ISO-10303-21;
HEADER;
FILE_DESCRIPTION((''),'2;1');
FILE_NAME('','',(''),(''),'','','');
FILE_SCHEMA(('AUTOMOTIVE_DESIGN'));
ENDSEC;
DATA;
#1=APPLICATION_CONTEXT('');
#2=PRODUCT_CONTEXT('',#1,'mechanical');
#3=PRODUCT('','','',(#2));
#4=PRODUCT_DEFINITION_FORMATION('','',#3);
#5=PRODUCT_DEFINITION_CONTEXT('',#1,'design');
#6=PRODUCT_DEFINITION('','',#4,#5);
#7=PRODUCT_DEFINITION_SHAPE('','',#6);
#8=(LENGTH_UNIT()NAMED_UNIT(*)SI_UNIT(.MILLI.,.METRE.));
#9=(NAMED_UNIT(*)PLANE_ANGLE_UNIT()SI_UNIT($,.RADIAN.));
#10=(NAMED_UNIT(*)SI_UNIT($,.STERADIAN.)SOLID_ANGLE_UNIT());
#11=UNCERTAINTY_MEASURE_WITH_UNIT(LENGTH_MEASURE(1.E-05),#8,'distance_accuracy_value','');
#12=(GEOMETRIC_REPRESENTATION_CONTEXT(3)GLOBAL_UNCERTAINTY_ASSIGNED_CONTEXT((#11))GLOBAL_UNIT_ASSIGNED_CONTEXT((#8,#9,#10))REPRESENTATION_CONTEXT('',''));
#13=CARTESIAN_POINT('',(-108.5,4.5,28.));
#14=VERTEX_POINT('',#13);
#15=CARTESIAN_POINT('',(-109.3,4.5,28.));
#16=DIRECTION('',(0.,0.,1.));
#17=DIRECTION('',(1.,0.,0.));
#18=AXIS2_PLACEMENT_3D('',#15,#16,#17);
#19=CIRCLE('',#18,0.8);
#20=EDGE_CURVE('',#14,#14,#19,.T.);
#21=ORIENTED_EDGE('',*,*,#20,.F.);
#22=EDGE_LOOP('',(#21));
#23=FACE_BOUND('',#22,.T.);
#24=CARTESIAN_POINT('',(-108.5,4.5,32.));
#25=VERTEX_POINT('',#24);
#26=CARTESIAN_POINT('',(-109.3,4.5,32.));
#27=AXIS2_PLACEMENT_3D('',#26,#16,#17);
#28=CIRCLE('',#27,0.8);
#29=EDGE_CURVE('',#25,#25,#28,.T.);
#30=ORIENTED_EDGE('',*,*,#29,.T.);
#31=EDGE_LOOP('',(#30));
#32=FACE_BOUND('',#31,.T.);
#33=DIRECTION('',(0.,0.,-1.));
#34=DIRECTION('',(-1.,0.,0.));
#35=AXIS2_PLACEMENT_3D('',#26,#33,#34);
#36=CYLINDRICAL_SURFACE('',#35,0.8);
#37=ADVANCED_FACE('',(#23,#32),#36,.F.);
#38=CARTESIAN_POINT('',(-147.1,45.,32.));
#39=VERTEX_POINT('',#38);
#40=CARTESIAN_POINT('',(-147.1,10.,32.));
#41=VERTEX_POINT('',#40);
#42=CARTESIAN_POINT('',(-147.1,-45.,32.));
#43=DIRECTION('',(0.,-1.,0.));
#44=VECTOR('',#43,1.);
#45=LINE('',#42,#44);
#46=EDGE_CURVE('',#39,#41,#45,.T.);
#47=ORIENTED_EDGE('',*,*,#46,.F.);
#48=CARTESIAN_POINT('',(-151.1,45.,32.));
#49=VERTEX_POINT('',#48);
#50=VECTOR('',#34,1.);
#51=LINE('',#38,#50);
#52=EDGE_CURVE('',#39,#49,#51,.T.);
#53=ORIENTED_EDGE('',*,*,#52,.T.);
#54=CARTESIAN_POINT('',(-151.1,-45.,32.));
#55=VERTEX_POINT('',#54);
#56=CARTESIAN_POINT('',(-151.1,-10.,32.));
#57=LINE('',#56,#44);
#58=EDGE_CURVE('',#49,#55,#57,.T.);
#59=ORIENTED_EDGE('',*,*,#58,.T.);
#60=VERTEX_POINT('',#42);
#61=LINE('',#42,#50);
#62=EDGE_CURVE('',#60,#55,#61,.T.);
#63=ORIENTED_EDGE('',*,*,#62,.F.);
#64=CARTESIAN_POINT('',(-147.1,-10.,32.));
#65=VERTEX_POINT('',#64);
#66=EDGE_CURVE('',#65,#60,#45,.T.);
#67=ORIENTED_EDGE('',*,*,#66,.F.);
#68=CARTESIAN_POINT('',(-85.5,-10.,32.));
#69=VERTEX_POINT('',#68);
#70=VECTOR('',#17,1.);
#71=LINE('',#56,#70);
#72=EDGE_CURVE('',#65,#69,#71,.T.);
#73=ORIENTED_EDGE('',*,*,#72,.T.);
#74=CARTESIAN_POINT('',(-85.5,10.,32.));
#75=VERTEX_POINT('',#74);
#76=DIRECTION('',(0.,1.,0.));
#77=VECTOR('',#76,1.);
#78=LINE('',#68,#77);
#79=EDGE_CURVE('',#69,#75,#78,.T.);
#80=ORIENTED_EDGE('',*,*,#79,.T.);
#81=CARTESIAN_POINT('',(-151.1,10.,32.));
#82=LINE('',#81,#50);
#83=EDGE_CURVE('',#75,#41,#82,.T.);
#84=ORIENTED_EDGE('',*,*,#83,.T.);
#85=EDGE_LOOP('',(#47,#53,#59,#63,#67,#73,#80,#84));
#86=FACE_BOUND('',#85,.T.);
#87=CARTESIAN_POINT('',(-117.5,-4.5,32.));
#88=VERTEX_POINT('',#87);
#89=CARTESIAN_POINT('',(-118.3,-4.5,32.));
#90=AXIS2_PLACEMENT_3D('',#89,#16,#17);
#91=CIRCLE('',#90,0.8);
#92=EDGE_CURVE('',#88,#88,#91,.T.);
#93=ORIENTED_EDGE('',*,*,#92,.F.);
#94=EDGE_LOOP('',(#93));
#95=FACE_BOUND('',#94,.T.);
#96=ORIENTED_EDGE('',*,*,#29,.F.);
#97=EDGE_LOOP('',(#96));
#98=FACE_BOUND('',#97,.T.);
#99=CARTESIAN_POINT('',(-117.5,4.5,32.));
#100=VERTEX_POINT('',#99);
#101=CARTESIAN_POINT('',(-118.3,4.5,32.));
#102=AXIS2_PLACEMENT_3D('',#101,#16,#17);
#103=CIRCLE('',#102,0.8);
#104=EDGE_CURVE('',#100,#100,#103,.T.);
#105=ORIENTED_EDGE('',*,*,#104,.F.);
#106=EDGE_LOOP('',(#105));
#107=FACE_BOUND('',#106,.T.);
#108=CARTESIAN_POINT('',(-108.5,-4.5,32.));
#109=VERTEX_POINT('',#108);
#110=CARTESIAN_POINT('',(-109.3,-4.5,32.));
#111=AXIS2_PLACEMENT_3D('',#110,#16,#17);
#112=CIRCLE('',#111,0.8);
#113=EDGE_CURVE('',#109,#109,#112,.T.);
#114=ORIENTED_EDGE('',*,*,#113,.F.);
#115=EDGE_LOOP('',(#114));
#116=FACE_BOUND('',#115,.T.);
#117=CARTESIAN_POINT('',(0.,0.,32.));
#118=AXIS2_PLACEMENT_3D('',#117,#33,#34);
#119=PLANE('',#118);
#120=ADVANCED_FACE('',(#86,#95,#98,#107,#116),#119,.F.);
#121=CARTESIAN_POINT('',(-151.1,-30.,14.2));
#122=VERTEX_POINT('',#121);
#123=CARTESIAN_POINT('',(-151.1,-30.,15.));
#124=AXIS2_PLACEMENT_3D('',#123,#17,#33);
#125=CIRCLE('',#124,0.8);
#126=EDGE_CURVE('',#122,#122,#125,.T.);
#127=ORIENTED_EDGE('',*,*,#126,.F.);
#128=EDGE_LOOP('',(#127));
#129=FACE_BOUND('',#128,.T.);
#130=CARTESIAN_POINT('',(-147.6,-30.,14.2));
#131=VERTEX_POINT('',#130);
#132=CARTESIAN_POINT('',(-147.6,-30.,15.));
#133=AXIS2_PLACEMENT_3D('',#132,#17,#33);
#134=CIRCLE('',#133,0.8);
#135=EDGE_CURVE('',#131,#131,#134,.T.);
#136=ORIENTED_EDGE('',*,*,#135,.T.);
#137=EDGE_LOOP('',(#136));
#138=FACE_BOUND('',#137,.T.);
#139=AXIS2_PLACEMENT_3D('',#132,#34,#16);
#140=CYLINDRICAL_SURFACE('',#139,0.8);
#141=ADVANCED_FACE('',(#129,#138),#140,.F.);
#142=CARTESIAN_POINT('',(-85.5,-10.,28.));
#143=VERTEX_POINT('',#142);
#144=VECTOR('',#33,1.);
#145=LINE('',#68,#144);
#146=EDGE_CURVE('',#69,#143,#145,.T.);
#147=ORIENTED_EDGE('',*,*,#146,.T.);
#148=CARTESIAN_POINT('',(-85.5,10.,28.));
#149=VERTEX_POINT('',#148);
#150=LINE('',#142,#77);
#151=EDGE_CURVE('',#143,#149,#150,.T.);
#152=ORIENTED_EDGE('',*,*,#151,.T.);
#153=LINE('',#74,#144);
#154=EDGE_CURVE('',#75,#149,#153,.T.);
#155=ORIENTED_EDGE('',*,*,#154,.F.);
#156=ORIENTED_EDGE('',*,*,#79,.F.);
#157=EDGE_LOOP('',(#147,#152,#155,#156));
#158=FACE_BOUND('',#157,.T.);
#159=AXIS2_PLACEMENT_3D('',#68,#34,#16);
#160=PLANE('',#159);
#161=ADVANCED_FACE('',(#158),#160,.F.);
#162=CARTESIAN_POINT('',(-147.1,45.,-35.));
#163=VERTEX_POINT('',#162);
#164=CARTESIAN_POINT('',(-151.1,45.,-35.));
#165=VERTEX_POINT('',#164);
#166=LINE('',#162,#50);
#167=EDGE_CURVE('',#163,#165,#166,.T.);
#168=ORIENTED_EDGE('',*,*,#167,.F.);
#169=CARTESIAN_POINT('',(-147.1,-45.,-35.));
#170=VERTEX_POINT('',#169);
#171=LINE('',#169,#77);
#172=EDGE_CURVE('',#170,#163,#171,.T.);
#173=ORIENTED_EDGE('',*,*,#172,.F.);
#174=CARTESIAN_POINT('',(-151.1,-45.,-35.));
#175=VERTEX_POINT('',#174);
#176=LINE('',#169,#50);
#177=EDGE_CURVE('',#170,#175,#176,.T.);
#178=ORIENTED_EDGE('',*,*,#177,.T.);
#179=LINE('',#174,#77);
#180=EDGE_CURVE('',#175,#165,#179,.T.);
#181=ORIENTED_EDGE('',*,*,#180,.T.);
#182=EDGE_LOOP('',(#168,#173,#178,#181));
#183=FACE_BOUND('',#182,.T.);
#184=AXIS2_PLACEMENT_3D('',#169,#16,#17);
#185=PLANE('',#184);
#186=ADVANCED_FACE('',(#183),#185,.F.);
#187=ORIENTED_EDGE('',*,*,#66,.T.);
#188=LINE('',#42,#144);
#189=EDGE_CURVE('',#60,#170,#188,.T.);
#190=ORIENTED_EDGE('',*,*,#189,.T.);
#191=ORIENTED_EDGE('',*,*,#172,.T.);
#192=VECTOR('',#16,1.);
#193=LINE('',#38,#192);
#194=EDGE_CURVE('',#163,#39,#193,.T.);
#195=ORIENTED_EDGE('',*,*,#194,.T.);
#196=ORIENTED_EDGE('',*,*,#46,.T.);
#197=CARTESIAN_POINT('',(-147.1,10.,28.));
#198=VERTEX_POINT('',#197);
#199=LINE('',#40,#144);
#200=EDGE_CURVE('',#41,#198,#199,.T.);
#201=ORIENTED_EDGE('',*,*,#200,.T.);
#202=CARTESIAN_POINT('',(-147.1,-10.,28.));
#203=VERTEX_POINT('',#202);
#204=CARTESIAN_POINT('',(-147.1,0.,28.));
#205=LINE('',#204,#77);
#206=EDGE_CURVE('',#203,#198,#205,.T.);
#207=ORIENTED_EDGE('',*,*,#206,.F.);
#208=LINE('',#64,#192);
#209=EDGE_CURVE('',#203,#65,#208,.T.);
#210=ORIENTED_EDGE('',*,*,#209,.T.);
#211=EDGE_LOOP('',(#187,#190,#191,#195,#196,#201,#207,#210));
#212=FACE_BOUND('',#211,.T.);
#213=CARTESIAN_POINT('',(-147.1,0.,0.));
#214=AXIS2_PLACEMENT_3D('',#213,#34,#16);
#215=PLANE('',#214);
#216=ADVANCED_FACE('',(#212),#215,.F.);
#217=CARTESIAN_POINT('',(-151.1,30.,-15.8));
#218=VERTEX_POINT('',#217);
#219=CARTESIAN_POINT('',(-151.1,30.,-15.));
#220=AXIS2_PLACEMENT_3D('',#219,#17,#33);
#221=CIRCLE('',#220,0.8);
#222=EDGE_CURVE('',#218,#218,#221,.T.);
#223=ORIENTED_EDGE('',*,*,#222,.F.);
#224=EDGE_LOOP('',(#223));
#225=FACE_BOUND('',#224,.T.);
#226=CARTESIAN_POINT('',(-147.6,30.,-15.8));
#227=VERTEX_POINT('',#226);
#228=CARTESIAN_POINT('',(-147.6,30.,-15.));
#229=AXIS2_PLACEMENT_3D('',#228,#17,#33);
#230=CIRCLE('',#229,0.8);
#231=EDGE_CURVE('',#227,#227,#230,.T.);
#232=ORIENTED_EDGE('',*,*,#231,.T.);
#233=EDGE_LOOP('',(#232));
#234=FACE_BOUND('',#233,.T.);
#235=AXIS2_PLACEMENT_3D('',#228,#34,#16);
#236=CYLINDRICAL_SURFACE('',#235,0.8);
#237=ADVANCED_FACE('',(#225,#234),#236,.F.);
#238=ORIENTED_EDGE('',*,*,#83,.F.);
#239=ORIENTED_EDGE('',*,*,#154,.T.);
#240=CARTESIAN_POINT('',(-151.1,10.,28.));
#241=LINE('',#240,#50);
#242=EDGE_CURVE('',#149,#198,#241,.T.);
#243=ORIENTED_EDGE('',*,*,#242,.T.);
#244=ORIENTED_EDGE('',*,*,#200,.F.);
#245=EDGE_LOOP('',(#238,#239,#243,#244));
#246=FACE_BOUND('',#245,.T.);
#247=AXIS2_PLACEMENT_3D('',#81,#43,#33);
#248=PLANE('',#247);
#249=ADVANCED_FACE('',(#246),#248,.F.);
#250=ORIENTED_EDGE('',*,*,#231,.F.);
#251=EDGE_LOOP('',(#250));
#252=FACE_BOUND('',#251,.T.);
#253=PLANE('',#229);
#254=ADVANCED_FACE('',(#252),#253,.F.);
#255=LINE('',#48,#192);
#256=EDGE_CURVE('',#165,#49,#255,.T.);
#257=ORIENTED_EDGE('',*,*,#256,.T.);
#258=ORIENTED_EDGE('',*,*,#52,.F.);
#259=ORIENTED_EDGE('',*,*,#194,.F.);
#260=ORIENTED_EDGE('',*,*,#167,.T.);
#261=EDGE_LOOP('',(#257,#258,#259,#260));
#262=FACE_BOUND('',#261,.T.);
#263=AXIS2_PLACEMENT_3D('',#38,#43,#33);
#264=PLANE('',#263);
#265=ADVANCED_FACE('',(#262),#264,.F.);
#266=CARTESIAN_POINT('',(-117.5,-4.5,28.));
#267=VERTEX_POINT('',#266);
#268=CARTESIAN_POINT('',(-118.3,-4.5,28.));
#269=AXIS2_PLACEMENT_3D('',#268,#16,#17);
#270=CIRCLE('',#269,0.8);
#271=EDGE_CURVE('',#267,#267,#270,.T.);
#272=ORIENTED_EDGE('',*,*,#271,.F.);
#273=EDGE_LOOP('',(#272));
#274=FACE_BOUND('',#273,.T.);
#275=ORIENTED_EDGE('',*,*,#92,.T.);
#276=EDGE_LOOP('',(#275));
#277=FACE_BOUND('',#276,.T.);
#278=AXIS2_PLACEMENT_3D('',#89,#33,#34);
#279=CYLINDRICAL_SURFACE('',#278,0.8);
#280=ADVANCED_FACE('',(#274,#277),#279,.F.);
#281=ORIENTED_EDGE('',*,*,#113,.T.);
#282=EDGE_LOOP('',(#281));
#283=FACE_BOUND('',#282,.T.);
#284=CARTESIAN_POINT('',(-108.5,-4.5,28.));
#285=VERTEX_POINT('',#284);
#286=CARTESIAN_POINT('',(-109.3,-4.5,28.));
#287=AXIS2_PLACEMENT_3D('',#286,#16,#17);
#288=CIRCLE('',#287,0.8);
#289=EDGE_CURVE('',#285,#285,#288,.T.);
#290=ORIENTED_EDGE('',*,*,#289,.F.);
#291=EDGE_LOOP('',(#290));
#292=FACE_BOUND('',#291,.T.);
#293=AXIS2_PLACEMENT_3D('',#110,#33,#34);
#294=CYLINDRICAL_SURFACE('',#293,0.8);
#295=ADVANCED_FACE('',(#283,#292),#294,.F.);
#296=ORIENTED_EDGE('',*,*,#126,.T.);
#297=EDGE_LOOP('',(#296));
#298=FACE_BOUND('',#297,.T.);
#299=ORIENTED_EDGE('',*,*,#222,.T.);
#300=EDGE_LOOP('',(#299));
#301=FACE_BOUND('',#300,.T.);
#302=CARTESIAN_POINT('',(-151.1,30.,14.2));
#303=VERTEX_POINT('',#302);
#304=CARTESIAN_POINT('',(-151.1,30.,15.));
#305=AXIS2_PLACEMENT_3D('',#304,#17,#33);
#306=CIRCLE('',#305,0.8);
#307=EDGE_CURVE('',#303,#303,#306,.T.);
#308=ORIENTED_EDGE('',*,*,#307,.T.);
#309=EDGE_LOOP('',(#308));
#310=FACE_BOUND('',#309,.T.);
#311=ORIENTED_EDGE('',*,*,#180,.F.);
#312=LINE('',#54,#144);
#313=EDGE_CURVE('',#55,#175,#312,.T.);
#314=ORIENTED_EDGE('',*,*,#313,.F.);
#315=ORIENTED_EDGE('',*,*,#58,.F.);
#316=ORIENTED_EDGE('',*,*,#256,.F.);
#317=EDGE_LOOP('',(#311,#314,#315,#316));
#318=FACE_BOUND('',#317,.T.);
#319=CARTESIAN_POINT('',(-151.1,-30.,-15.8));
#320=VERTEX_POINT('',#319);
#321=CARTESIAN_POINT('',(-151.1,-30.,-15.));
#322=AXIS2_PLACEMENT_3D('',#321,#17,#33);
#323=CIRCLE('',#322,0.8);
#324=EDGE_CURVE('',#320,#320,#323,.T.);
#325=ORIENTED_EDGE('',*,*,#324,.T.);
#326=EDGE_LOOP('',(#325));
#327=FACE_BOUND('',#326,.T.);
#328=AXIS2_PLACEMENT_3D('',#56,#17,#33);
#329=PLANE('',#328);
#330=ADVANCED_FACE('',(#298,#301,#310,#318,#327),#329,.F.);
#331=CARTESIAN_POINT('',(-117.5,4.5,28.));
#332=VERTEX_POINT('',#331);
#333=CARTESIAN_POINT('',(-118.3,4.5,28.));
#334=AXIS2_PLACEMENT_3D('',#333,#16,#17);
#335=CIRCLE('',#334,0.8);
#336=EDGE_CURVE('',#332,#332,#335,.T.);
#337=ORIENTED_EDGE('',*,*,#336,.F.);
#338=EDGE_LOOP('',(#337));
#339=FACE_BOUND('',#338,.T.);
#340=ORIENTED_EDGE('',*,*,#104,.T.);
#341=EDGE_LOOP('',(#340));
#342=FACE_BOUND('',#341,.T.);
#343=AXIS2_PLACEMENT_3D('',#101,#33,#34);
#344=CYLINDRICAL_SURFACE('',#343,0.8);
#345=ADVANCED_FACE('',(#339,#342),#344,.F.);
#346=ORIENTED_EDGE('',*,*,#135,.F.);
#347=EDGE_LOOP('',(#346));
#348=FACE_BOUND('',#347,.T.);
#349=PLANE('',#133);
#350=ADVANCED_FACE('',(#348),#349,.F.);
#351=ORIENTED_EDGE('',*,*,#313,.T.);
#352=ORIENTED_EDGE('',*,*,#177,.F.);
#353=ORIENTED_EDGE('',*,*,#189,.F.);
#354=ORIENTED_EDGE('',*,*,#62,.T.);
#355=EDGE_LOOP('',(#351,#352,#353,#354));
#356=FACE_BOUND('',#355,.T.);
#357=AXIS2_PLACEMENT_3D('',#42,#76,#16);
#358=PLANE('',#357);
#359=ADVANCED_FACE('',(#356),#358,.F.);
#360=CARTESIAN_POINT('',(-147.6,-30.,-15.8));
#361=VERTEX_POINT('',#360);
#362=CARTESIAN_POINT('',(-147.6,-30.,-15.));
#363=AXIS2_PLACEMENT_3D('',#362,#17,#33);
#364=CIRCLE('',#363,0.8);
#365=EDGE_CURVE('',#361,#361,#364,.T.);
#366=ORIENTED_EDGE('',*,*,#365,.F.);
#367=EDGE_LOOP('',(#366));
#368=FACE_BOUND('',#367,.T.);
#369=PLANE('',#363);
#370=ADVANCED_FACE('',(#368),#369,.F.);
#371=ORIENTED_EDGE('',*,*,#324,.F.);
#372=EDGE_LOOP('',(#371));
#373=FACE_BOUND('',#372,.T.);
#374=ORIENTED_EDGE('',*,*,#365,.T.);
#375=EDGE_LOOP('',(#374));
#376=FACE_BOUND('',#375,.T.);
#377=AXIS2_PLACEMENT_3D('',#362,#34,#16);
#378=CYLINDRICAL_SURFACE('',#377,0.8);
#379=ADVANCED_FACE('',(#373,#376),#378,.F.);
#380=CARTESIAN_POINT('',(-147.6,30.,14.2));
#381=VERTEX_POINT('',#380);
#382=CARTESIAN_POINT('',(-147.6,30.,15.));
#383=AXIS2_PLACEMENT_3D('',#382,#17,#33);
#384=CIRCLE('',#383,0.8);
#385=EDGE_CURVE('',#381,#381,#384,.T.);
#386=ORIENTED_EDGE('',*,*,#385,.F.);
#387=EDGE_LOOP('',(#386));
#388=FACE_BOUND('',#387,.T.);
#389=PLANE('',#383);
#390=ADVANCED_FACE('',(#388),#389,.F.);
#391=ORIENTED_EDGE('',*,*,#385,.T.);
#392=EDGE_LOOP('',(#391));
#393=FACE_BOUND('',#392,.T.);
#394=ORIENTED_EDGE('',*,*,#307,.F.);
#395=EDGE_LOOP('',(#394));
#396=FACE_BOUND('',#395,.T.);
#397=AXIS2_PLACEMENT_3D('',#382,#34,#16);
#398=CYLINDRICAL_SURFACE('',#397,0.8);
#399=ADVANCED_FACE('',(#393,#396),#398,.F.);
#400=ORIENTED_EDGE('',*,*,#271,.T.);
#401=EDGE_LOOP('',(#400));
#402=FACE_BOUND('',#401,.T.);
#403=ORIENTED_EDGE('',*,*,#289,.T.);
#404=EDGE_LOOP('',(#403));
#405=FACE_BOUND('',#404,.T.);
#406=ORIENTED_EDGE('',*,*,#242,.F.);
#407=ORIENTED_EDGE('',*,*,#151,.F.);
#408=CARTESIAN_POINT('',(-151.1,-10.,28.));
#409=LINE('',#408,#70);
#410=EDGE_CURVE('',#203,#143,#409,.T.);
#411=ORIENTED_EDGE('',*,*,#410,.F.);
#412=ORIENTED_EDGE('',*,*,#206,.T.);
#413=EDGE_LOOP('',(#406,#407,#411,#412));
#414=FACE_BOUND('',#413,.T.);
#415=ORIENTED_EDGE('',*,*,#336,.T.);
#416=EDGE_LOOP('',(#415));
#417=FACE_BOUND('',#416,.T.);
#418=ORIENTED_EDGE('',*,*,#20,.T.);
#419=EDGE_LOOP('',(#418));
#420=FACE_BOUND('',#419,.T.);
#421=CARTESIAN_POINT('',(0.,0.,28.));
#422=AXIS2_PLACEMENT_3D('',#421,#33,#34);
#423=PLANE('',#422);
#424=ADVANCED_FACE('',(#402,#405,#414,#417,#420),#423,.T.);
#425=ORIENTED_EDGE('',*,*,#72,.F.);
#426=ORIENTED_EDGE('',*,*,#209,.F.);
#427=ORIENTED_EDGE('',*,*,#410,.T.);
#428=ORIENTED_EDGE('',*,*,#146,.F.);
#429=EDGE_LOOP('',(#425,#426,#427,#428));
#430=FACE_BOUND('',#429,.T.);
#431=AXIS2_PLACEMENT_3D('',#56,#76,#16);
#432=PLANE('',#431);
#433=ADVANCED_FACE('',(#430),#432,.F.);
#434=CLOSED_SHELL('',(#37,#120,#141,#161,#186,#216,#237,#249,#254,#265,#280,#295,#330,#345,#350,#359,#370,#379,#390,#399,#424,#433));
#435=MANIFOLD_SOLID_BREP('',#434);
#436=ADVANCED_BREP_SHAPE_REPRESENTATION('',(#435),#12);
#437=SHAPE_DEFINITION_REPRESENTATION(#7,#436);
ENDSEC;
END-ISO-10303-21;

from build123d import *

# Parameters (mm, degrees)
SKETCH1_W           = 65.6
SKETCH1_H           = 20
BOSS_EXTRUDE1_DEPTH = 4
SKETCH2_W           = 67
SKETCH2_H           = 90
BOSS_EXTRUDE2_DEPTH = 4
SKETCH3_R           = 0.8
CUT_EXTRUDE2_DEPTH  = 4
SKETCH4_R           = 0.8
CUT_EXTRUDE4_DEPTH  = 3.5


with BuildPart() as part:
    # Sketch1 → Boss-Extrude1 (new body)
    with BuildSketch(Plane.XY.offset(28)):
        with Locations((-118.3, 0)):
            Rectangle(SKETCH1_W, SKETCH1_H)
    extrude(amount=BOSS_EXTRUDE1_DEPTH)

    # Sketch2 → Boss-Extrude2 (add)
    with BuildSketch(Plane(origin=(-151.1, 0, 0), x_dir=(0, 0, -1), z_dir=(1, 0, 0))):
        with Locations((1.5, 0)):
            Rectangle(SKETCH2_W, SKETCH2_H)
    extrude(amount=BOSS_EXTRUDE2_DEPTH)

    # Sketch3 → Cut-Extrude2 (cut)
    with BuildSketch(Plane.XY.offset(28)):
        with Locations((-109.3, 4.5)):
            Circle(SKETCH3_R)
        with Locations((-109.3, -4.5)):
            Circle(SKETCH3_R)
        with Locations((-118.3, 4.5)):
            Circle(SKETCH3_R)
        with Locations((-118.3, -4.5)):
            Circle(SKETCH3_R)
    extrude(amount=CUT_EXTRUDE2_DEPTH, mode=Mode.SUBTRACT)

    # Sketch4 → Cut-Extrude4 (cut)
    with BuildSketch(Plane(origin=(-151.1, 0, 0), x_dir=(0, 0, -1), z_dir=(1, 0, 0))):
        with Locations((15, -30)):
            Circle(SKETCH4_R)
        with Locations((-15, -30)):
            Circle(SKETCH4_R)
        with Locations((15, 30)):
            Circle(SKETCH4_R)
        with Locations((-15, 30)):
            Circle(SKETCH4_R)
    extrude(amount=CUT_EXTRUDE4_DEPTH, mode=Mode.SUBTRACT)


solid = part.part
